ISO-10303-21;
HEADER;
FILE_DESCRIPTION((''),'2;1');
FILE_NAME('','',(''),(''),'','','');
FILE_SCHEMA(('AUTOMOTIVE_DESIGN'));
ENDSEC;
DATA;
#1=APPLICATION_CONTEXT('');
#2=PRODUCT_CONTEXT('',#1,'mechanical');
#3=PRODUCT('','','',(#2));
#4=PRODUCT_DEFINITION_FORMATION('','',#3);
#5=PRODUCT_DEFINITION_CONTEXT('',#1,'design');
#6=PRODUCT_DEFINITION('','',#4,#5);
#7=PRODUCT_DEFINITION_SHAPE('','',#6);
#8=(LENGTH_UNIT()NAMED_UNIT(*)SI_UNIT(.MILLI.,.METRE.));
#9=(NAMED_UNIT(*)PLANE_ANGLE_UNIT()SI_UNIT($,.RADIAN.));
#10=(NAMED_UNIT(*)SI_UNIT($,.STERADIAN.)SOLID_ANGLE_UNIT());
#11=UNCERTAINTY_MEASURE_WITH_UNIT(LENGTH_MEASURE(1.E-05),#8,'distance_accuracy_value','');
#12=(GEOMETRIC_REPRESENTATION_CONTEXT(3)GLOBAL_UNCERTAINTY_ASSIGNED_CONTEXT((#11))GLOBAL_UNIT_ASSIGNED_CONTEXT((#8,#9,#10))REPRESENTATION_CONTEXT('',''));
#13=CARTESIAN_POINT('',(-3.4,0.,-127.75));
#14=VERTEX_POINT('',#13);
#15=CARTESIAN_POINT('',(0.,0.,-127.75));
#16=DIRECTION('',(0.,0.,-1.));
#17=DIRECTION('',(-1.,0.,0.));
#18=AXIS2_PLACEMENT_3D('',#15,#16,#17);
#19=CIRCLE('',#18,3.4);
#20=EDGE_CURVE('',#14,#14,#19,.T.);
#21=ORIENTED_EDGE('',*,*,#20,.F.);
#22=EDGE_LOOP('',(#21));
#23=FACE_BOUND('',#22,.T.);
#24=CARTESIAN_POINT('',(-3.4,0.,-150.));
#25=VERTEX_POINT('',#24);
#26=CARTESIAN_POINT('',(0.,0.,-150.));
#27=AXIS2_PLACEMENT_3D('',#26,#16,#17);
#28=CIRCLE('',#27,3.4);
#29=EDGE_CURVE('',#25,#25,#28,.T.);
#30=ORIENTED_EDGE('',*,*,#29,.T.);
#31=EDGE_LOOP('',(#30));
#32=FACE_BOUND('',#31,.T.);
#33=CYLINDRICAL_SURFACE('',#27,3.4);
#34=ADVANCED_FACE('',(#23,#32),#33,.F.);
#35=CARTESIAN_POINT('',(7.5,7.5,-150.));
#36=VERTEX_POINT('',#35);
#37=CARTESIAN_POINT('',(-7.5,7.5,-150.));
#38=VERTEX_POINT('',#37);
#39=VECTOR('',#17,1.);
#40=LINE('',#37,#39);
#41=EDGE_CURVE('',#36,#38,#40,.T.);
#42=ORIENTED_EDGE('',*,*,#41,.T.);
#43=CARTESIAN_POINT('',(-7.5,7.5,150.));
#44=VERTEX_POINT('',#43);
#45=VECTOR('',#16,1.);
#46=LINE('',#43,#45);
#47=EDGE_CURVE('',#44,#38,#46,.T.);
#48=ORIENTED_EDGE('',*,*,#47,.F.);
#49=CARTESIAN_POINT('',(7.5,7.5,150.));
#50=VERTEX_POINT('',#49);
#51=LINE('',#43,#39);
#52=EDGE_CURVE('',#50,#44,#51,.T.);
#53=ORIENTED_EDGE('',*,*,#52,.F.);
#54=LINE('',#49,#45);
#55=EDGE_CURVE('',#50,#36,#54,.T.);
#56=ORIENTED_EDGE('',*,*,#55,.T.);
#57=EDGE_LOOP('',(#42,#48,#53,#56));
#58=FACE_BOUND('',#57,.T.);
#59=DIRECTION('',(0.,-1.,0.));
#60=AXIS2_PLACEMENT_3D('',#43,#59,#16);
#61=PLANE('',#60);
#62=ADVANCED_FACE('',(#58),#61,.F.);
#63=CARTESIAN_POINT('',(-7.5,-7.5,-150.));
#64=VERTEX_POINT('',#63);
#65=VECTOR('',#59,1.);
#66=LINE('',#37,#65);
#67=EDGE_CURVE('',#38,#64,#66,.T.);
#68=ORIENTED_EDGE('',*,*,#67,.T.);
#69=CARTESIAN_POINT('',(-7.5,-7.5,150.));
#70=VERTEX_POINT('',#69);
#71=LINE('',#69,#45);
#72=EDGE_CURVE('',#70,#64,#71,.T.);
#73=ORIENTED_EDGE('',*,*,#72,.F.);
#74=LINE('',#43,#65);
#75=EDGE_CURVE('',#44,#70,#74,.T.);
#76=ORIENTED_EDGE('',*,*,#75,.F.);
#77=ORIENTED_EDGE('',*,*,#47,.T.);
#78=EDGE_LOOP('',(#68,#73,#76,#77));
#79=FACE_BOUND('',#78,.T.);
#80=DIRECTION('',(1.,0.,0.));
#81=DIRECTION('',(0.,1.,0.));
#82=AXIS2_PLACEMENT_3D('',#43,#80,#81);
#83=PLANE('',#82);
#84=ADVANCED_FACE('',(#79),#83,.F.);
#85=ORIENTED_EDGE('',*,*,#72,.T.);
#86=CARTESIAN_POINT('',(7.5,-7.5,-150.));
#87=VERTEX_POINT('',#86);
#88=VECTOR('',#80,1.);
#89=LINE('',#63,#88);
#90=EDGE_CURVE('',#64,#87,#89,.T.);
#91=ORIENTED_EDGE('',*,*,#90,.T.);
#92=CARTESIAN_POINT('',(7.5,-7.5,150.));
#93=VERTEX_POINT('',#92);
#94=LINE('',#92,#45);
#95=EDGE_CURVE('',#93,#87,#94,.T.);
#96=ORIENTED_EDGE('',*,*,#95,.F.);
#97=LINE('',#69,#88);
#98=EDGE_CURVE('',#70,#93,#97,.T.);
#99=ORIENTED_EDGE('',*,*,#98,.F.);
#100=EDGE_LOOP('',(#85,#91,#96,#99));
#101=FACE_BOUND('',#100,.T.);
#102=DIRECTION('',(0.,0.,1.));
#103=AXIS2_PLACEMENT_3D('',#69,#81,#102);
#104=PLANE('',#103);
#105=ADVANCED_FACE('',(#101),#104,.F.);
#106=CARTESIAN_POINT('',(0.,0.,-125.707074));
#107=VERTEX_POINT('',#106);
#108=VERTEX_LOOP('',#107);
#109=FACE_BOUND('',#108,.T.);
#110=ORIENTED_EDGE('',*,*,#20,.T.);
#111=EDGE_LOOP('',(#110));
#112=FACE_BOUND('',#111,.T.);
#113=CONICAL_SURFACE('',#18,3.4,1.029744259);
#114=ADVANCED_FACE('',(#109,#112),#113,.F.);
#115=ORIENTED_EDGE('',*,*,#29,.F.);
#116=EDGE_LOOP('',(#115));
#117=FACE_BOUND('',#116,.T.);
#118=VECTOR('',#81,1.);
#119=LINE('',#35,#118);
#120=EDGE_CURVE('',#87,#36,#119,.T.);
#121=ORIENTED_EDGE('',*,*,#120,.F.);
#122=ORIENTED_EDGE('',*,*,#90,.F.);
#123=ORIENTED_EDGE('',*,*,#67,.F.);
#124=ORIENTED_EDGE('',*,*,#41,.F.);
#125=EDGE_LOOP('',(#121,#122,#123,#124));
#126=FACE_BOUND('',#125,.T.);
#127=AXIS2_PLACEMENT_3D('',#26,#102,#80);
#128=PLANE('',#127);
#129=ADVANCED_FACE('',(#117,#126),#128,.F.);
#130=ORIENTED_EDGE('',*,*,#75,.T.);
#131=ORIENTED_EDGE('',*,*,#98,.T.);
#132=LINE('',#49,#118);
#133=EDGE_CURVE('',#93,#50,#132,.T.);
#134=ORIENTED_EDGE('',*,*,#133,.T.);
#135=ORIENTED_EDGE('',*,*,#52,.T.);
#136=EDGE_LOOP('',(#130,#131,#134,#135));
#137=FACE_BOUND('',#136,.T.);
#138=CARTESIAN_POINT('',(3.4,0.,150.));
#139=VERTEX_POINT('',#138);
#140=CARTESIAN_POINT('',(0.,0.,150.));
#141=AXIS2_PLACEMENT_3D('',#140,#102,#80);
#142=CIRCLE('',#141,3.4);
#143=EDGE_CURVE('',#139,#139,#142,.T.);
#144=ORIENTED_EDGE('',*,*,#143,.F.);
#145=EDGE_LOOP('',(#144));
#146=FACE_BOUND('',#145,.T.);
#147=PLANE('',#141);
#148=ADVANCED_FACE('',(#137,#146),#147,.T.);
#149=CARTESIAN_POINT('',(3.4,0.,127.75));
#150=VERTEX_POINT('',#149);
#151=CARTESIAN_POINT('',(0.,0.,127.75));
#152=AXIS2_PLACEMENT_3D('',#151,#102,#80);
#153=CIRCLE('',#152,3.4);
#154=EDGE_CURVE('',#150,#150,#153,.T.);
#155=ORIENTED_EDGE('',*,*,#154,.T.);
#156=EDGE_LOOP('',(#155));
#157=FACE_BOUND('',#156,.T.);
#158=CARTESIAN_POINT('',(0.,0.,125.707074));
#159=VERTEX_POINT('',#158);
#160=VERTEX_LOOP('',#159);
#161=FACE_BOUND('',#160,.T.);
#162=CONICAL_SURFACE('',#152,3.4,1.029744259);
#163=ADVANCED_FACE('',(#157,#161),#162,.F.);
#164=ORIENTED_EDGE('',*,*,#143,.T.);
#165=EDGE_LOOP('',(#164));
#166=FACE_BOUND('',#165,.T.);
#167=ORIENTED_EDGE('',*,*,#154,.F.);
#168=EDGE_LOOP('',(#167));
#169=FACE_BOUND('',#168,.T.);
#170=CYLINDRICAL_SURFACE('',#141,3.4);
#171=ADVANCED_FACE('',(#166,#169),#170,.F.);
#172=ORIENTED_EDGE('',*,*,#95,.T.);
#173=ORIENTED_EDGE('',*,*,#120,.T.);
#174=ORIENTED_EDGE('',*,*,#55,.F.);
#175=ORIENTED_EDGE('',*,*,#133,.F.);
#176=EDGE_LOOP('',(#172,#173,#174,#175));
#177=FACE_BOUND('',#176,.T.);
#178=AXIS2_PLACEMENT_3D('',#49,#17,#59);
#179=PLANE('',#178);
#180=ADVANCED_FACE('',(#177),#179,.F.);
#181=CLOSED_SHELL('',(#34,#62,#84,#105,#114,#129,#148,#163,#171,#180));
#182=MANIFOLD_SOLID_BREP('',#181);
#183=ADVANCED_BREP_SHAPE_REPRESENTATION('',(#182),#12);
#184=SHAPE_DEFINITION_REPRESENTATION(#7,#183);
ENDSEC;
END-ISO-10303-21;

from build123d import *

# Parameters (mm, degrees)
IZIM1_W                     = 15
IZIM1_H                     = 15
Y_KSEKLIK_EKSTR_ZYON1_DEPTH = 150


with BuildPart() as part:
    # Çizim1 → Yükseklik-Ekstrüzyon1 (new body, symmetric)
    with BuildSketch(Plane.XY):
        Rectangle(IZIM1_W, IZIM1_H)
    extrude(amount=Y_KSEKLIK_EKSTR_ZYON1_DEPTH, both=True)

    # Çizim3 → M8 Dişli Delik1 (revolve, cut)
    with BuildSketch(Plane(origin=(0, 0, 150), x_dir=(0, -1, 0), z_dir=(1, 0, 0))):
        Polygon((0, 0), (0, 24.292926105), (3.4, 22.25), (3.4, 0), align=None)
    m8_di_li_delik1 = revolve(axis=Axis((0, 0, 156.35), (0, 0, -1)), mode=Mode.SUBTRACT)

    # Aynalama1: M8 Dişli Delik1 across plane
    add(m8_di_li_delik1.mirror(Plane.XY), mode=Mode.SUBTRACT)


solid = part.part
